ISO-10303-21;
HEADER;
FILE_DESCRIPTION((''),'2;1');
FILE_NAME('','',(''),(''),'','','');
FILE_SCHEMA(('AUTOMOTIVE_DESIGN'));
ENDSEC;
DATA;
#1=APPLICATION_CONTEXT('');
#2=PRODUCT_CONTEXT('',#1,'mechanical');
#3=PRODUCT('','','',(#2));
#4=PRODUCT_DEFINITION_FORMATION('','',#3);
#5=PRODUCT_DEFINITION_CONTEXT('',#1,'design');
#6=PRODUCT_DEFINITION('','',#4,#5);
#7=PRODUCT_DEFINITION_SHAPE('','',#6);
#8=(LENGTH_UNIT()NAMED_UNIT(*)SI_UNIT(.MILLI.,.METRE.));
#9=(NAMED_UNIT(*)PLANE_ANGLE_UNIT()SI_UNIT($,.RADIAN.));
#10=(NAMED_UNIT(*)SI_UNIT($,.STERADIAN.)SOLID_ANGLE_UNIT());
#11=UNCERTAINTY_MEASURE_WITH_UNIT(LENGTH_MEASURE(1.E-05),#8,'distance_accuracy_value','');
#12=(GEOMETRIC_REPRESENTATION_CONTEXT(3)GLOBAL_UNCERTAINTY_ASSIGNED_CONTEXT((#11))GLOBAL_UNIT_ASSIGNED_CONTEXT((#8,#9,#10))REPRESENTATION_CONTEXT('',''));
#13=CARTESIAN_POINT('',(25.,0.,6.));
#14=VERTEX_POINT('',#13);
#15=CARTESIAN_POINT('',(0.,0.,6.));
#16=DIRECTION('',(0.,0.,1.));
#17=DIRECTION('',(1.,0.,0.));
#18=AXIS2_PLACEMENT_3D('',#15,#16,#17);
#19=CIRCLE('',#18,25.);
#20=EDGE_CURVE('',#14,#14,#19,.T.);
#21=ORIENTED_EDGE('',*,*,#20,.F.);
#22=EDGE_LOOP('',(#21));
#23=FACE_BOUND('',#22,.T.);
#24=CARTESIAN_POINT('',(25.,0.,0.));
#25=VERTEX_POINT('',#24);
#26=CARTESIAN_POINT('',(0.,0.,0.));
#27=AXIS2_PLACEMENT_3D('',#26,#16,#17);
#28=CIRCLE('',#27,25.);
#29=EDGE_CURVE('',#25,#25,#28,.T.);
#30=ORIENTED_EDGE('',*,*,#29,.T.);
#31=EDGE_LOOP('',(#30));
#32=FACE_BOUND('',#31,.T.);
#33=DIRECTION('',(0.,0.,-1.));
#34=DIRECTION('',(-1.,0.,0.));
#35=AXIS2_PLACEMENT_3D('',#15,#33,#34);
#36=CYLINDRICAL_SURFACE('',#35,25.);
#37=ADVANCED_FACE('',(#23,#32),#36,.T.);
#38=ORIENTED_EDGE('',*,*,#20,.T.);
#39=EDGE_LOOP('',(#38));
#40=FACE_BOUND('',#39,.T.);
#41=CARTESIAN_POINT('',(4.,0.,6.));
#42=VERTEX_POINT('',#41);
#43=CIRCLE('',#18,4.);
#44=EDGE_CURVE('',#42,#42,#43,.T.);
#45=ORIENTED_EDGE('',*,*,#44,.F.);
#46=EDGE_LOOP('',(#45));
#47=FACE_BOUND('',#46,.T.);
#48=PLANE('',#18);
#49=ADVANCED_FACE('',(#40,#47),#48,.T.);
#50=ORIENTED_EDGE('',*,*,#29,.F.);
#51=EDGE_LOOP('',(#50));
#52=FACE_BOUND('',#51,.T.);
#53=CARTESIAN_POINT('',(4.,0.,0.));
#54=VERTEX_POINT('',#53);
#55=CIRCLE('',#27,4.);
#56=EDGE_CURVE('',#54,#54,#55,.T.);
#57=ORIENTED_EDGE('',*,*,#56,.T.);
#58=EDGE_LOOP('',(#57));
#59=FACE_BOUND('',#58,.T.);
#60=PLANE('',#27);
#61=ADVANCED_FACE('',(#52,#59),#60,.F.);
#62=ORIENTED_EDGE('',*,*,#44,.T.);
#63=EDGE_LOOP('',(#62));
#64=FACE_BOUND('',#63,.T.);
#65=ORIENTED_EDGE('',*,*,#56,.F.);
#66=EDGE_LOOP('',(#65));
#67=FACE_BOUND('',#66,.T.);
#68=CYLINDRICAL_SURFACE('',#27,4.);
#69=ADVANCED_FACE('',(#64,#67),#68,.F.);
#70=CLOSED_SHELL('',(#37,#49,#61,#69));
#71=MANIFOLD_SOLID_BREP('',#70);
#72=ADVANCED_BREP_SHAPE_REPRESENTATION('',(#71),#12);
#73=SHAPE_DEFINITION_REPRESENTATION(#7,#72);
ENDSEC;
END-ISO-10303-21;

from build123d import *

# Parameters (mm, degrees)
SKETCH1_R           = 25
BOSS_EXTRUDE1_DEPTH = 6
SKETCH2_R           = 4
CUT_EXTRUDE1_DEPTH  = 36.860842154


with BuildPart() as part:
    # Sketch1 → Boss-Extrude1 (new body)
    with BuildSketch(Plane.XY):
        Circle(SKETCH1_R)
    extrude(amount=BOSS_EXTRUDE1_DEPTH)

    # Sketch2 → Cut-Extrude1 (cut, through all)
    with BuildSketch(Plane.XY.offset(6)):
        Circle(SKETCH2_R)
    extrude(amount=-CUT_EXTRUDE1_DEPTH, mode=Mode.SUBTRACT)


solid = part.part
